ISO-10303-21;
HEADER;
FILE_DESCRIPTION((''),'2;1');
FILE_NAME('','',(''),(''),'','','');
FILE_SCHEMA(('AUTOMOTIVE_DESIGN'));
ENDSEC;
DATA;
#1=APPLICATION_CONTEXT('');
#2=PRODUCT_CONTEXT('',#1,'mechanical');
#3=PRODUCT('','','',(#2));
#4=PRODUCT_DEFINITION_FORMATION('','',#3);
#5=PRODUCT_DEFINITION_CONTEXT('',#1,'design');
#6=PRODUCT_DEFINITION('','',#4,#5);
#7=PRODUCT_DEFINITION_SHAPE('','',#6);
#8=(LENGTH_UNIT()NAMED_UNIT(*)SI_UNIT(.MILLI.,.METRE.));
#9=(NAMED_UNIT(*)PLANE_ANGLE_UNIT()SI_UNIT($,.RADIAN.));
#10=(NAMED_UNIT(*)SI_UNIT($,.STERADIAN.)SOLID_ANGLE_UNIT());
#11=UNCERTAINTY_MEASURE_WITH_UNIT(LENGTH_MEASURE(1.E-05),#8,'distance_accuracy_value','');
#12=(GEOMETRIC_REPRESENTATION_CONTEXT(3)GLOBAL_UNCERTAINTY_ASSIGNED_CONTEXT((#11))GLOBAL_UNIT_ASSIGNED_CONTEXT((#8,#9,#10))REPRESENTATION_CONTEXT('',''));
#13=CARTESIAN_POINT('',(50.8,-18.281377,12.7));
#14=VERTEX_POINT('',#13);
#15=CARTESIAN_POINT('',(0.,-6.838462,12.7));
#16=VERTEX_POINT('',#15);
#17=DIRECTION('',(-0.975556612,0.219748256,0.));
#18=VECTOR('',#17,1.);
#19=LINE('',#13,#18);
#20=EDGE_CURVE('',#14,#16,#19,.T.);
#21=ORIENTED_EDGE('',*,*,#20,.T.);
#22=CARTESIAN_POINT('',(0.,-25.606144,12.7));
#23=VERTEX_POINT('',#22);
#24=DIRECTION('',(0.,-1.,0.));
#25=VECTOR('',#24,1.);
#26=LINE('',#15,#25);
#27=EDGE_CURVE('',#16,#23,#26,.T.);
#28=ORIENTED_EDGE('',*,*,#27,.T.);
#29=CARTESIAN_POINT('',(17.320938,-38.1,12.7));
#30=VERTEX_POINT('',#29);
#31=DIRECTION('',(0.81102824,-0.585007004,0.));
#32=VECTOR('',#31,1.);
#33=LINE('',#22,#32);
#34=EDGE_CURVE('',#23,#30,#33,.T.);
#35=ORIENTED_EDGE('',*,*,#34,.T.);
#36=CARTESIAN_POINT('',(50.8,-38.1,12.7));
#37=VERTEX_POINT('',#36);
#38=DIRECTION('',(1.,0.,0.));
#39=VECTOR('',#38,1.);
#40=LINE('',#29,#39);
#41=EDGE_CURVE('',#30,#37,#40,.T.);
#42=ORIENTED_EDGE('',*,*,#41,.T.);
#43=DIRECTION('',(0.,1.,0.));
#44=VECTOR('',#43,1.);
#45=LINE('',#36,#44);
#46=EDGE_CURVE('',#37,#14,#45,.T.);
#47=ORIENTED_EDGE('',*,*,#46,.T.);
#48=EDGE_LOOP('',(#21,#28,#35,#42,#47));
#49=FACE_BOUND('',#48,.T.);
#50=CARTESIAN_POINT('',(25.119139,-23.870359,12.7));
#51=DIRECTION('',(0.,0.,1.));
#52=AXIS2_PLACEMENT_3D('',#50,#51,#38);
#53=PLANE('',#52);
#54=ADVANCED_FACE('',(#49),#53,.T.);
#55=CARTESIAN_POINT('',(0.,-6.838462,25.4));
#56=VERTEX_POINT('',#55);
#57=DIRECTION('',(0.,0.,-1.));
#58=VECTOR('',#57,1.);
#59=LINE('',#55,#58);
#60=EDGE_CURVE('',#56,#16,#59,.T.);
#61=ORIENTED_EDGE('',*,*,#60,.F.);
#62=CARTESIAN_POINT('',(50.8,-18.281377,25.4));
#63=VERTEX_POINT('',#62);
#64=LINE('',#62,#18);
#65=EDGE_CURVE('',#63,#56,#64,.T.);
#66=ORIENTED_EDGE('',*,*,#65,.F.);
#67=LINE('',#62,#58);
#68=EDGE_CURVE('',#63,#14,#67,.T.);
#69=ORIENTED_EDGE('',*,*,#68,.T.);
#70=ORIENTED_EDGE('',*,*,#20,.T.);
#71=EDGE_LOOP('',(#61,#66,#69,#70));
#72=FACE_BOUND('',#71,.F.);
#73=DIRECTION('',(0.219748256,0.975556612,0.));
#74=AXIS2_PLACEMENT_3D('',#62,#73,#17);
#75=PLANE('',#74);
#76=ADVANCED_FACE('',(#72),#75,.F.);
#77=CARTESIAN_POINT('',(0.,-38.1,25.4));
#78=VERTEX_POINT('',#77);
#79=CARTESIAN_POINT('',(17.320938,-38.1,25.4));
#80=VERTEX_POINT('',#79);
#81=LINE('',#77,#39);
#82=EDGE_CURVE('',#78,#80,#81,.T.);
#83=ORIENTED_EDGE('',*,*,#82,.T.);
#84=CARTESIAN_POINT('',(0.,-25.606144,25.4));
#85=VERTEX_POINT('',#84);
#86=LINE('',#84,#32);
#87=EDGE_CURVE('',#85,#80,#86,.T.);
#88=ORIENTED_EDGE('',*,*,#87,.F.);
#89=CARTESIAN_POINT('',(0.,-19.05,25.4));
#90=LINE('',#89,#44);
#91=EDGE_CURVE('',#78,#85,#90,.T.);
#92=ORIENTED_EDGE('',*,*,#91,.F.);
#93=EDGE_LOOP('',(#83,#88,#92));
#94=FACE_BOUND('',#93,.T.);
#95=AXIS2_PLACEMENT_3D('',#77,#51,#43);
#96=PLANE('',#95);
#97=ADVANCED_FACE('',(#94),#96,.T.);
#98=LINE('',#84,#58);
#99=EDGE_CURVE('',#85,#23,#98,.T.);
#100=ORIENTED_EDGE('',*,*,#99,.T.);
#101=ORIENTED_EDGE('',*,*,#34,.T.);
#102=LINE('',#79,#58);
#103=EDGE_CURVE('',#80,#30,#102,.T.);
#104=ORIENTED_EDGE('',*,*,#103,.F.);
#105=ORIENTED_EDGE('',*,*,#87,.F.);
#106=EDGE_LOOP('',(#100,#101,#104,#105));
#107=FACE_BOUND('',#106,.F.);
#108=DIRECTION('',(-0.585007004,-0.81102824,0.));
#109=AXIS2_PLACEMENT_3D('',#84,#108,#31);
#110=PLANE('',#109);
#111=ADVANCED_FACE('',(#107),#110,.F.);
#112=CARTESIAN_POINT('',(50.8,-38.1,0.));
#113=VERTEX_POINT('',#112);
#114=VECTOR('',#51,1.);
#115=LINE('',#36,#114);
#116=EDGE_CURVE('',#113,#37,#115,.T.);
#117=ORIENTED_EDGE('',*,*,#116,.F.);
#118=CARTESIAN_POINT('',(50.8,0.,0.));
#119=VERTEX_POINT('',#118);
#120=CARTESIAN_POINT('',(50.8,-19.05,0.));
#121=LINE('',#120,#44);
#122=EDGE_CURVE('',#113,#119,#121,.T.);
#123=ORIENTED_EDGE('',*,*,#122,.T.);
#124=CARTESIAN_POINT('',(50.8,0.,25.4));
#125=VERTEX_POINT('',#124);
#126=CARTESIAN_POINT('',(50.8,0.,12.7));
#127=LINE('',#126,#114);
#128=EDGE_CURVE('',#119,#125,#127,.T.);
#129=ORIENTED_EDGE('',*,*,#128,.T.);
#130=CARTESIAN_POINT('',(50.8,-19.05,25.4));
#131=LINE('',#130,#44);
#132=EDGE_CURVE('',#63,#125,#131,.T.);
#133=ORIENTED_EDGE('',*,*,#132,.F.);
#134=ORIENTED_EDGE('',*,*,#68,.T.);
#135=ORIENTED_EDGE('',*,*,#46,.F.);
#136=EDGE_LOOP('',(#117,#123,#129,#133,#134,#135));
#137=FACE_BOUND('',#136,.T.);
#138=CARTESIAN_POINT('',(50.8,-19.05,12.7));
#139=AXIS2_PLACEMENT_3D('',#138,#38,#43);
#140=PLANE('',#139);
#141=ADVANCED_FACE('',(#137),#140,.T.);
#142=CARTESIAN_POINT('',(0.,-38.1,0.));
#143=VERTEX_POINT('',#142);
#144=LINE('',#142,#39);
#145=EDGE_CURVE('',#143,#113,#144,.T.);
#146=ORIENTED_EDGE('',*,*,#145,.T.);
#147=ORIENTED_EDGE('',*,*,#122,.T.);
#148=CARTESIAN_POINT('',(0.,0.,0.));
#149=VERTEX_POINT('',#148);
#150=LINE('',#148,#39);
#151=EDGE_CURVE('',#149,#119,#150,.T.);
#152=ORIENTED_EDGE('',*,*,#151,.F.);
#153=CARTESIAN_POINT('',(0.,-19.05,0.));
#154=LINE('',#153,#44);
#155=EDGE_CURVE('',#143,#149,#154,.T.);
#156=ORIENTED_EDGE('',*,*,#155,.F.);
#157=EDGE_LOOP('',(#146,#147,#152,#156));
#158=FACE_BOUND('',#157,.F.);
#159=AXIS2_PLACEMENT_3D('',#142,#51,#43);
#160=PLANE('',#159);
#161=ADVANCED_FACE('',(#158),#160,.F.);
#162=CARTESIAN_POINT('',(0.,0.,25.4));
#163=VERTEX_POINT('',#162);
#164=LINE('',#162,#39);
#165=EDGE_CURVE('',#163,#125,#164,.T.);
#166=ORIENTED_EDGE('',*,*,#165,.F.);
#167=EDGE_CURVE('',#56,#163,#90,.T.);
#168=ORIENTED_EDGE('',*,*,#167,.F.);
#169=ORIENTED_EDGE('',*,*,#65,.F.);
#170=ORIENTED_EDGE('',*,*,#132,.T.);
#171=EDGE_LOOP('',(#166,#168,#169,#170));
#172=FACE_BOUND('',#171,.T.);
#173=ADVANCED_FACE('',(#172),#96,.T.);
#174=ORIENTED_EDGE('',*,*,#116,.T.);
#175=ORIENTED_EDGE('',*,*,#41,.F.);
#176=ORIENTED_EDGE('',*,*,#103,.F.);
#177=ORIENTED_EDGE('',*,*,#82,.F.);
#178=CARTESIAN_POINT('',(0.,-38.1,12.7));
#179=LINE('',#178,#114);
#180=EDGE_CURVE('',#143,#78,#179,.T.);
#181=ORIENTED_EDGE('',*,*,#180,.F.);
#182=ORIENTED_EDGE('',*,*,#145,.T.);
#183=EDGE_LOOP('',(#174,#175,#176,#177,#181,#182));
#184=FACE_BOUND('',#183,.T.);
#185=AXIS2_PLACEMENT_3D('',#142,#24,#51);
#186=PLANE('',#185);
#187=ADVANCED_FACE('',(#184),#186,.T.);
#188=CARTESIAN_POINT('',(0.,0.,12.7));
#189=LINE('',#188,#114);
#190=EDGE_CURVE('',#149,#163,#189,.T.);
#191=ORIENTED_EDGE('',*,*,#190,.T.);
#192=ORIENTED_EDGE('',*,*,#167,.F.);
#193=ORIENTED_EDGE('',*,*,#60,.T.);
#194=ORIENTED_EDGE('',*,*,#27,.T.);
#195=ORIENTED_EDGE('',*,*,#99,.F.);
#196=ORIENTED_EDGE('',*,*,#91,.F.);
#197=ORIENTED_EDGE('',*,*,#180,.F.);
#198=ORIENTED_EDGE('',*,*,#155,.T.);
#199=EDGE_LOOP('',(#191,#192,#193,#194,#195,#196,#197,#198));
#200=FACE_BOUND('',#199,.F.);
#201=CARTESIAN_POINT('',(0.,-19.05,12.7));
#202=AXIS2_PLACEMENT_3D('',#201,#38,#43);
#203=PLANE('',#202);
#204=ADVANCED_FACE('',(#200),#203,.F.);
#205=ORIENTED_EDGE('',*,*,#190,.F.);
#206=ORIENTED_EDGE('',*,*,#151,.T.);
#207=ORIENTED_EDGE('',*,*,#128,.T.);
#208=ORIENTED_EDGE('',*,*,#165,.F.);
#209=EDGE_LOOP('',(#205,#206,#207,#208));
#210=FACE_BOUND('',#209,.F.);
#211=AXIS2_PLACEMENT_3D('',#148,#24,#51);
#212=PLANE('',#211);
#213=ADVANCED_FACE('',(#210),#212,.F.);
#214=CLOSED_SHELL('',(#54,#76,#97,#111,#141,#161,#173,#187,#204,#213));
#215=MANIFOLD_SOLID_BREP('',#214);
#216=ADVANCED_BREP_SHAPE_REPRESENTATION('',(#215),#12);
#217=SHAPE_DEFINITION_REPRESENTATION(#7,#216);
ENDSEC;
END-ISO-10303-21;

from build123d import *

# Parameters (mm, degrees)
F0_W     = 38.1
F0_H     = 25.4
F1_DEPTH = 50.8
F4_DEPTH = 12.7


with BuildPart() as f1:
    # F0 (on Right) → F1 (new body)
    with BuildSketch(Plane.YZ):
        with Locations((-19.05, 12.7)):
            Rectangle(F0_W, F0_H)
    extrude(amount=F1_DEPTH)

    # F3 (on face) → F4 (cut)
    with BuildSketch(Plane.XY.offset(25.4)):
        Polygon((50.8, -38.1), (50.8, -18.281377), (0, -6.838462), (0, -25.606144), (17.320938, -38.1), align=None)
    extrude(amount=-F4_DEPTH, mode=Mode.SUBTRACT)


solid = f1.part
